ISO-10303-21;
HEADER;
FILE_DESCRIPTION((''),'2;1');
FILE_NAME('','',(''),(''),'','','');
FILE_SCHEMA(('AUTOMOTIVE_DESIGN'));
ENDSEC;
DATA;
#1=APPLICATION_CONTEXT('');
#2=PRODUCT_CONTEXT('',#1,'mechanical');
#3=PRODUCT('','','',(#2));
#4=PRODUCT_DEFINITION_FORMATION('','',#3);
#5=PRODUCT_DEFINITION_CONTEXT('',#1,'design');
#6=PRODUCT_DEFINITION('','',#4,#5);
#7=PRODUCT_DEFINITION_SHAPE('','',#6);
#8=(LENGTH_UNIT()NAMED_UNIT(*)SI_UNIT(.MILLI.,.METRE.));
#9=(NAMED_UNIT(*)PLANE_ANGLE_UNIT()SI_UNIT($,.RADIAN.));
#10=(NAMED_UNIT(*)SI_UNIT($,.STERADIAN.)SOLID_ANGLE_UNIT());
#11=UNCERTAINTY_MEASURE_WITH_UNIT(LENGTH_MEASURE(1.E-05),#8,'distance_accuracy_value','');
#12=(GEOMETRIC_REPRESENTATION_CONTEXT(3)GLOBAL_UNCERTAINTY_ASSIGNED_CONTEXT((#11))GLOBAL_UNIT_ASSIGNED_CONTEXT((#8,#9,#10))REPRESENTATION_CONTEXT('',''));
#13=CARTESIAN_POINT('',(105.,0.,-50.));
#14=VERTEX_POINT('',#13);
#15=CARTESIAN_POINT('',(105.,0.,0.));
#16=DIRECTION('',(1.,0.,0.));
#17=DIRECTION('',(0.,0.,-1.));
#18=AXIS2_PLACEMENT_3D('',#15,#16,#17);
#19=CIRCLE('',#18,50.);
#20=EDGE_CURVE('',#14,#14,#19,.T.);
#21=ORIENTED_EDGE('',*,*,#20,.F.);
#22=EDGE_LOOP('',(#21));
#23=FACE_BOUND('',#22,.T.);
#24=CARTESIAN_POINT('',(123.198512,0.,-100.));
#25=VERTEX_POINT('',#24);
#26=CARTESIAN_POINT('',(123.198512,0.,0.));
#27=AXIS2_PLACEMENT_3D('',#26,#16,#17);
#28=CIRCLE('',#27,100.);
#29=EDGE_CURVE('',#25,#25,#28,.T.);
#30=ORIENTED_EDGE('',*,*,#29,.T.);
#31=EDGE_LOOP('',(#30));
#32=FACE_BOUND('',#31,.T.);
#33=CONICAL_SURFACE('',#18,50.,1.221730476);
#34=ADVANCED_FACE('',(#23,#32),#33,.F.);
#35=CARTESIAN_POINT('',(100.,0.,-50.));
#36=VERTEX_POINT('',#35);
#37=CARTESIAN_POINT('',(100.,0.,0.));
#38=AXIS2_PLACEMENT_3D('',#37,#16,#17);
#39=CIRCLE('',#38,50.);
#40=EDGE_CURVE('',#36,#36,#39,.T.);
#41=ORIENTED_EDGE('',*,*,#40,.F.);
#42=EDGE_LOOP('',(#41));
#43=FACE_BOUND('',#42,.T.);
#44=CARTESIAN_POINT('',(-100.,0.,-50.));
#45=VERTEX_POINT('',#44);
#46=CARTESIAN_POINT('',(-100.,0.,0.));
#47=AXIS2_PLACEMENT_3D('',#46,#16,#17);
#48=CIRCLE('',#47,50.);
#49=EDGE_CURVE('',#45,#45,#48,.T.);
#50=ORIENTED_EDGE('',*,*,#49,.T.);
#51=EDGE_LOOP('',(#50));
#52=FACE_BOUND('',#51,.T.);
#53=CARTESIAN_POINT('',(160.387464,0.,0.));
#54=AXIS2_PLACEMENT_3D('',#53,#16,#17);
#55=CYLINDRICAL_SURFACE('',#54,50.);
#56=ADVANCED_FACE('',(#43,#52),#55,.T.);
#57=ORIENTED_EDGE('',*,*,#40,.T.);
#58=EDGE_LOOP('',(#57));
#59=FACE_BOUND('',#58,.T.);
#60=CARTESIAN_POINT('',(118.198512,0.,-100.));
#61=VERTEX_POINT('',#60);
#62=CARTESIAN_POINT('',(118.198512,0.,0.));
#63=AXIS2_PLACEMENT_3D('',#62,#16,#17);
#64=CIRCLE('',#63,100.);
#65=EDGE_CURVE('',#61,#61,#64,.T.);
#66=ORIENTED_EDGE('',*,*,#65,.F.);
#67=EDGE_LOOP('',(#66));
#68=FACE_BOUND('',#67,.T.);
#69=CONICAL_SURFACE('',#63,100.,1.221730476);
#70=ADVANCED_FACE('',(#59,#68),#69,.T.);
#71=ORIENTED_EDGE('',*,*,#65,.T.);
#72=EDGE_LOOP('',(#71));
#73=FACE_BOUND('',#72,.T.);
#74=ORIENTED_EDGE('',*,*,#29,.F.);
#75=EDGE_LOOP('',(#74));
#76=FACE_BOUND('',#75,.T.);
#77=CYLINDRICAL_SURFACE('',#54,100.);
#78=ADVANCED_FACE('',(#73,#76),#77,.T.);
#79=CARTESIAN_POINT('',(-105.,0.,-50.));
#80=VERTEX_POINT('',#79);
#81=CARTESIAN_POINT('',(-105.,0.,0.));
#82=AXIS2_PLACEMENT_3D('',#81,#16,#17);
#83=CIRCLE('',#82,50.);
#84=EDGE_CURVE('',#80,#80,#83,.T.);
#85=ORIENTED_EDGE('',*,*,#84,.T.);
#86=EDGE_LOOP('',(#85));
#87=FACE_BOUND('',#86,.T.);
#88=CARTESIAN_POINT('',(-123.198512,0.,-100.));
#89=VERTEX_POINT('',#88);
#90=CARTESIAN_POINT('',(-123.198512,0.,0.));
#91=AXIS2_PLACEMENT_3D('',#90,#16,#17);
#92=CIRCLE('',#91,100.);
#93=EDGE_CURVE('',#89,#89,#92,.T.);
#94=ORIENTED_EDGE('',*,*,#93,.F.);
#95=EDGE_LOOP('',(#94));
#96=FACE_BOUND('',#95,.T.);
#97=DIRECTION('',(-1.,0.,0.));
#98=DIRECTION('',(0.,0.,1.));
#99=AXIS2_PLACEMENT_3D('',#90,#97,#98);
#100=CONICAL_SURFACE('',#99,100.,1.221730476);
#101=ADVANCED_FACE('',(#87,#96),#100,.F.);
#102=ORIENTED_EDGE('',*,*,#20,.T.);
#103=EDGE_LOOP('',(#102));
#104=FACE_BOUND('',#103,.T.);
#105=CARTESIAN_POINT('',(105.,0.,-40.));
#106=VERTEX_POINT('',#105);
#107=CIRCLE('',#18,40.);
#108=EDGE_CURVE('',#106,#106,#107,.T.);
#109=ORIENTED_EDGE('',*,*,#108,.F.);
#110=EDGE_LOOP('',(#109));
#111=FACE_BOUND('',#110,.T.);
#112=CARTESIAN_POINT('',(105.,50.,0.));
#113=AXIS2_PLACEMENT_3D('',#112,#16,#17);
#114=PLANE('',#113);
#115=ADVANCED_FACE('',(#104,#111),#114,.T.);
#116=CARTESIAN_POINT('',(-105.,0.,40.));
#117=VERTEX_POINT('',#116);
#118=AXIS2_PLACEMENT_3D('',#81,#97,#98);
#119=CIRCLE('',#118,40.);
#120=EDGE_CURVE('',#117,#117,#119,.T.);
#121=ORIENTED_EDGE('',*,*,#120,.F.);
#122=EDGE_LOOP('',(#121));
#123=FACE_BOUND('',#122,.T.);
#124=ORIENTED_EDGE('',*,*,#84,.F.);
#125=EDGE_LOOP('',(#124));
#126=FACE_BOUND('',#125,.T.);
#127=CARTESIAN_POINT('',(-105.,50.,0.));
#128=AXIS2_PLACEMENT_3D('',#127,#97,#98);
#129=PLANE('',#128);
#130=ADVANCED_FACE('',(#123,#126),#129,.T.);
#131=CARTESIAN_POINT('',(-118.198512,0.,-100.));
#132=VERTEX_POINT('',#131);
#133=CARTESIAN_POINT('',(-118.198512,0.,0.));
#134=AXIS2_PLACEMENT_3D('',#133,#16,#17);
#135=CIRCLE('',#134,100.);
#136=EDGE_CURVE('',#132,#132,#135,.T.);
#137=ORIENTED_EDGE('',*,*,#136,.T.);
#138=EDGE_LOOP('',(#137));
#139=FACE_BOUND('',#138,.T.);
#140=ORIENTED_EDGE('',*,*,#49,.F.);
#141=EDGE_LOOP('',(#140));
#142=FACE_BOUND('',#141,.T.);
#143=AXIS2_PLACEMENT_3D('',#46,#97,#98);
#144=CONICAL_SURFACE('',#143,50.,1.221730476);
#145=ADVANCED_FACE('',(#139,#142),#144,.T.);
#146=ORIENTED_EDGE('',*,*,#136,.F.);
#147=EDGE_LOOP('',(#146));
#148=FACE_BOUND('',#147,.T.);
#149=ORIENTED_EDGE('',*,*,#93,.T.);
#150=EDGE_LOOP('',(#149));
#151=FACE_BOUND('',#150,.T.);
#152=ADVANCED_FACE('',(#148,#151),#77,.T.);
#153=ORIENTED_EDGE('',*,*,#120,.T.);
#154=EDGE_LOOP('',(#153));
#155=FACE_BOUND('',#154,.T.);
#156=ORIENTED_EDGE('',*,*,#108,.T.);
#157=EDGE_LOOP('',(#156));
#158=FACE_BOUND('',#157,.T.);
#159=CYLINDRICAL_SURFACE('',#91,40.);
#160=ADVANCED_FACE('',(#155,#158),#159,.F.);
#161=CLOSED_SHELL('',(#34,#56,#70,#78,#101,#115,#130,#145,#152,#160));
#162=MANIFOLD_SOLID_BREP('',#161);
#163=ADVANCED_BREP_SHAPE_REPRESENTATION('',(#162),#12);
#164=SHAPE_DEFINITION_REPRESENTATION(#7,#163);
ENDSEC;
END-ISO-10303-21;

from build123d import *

# Parameters (mm, degrees)
SKETCH4_R               = 40
CUT_EXTRUDE2_DEPTH      = 124.198511713
CUT_EXTRUDE2_DEPTH_BACK = 124.198511713


with BuildPart() as part:
    # Sketch3 → Revolve1 (revolve)
    with BuildSketch(Plane.XY):
        Polygon((100, 50), (-100, 50), (-118.198511713, 100), (-123.198511713, 100), (-105, 50), (-105, 0), (105, 0), (105, 50), (123.198511713, 100), (118.198511713, 100), align=None)
    revolve(axis=Axis((160.387463579, 0, 0), (-1, 0, 0)))

    # Sketch4 → Cut-Extrude2 (cut, two sides)
    with BuildSketch(Plane(origin=(0, 0, 0), x_dir=(0, 0, -1), z_dir=(1, 0, 0))) as cut_extrude2_sk:
        Circle(SKETCH4_R)
    extrude(amount=CUT_EXTRUDE2_DEPTH, mode=Mode.SUBTRACT)
    extrude(cut_extrude2_sk.sketch, amount=-CUT_EXTRUDE2_DEPTH_BACK, mode=Mode.SUBTRACT)


solid = part.part
